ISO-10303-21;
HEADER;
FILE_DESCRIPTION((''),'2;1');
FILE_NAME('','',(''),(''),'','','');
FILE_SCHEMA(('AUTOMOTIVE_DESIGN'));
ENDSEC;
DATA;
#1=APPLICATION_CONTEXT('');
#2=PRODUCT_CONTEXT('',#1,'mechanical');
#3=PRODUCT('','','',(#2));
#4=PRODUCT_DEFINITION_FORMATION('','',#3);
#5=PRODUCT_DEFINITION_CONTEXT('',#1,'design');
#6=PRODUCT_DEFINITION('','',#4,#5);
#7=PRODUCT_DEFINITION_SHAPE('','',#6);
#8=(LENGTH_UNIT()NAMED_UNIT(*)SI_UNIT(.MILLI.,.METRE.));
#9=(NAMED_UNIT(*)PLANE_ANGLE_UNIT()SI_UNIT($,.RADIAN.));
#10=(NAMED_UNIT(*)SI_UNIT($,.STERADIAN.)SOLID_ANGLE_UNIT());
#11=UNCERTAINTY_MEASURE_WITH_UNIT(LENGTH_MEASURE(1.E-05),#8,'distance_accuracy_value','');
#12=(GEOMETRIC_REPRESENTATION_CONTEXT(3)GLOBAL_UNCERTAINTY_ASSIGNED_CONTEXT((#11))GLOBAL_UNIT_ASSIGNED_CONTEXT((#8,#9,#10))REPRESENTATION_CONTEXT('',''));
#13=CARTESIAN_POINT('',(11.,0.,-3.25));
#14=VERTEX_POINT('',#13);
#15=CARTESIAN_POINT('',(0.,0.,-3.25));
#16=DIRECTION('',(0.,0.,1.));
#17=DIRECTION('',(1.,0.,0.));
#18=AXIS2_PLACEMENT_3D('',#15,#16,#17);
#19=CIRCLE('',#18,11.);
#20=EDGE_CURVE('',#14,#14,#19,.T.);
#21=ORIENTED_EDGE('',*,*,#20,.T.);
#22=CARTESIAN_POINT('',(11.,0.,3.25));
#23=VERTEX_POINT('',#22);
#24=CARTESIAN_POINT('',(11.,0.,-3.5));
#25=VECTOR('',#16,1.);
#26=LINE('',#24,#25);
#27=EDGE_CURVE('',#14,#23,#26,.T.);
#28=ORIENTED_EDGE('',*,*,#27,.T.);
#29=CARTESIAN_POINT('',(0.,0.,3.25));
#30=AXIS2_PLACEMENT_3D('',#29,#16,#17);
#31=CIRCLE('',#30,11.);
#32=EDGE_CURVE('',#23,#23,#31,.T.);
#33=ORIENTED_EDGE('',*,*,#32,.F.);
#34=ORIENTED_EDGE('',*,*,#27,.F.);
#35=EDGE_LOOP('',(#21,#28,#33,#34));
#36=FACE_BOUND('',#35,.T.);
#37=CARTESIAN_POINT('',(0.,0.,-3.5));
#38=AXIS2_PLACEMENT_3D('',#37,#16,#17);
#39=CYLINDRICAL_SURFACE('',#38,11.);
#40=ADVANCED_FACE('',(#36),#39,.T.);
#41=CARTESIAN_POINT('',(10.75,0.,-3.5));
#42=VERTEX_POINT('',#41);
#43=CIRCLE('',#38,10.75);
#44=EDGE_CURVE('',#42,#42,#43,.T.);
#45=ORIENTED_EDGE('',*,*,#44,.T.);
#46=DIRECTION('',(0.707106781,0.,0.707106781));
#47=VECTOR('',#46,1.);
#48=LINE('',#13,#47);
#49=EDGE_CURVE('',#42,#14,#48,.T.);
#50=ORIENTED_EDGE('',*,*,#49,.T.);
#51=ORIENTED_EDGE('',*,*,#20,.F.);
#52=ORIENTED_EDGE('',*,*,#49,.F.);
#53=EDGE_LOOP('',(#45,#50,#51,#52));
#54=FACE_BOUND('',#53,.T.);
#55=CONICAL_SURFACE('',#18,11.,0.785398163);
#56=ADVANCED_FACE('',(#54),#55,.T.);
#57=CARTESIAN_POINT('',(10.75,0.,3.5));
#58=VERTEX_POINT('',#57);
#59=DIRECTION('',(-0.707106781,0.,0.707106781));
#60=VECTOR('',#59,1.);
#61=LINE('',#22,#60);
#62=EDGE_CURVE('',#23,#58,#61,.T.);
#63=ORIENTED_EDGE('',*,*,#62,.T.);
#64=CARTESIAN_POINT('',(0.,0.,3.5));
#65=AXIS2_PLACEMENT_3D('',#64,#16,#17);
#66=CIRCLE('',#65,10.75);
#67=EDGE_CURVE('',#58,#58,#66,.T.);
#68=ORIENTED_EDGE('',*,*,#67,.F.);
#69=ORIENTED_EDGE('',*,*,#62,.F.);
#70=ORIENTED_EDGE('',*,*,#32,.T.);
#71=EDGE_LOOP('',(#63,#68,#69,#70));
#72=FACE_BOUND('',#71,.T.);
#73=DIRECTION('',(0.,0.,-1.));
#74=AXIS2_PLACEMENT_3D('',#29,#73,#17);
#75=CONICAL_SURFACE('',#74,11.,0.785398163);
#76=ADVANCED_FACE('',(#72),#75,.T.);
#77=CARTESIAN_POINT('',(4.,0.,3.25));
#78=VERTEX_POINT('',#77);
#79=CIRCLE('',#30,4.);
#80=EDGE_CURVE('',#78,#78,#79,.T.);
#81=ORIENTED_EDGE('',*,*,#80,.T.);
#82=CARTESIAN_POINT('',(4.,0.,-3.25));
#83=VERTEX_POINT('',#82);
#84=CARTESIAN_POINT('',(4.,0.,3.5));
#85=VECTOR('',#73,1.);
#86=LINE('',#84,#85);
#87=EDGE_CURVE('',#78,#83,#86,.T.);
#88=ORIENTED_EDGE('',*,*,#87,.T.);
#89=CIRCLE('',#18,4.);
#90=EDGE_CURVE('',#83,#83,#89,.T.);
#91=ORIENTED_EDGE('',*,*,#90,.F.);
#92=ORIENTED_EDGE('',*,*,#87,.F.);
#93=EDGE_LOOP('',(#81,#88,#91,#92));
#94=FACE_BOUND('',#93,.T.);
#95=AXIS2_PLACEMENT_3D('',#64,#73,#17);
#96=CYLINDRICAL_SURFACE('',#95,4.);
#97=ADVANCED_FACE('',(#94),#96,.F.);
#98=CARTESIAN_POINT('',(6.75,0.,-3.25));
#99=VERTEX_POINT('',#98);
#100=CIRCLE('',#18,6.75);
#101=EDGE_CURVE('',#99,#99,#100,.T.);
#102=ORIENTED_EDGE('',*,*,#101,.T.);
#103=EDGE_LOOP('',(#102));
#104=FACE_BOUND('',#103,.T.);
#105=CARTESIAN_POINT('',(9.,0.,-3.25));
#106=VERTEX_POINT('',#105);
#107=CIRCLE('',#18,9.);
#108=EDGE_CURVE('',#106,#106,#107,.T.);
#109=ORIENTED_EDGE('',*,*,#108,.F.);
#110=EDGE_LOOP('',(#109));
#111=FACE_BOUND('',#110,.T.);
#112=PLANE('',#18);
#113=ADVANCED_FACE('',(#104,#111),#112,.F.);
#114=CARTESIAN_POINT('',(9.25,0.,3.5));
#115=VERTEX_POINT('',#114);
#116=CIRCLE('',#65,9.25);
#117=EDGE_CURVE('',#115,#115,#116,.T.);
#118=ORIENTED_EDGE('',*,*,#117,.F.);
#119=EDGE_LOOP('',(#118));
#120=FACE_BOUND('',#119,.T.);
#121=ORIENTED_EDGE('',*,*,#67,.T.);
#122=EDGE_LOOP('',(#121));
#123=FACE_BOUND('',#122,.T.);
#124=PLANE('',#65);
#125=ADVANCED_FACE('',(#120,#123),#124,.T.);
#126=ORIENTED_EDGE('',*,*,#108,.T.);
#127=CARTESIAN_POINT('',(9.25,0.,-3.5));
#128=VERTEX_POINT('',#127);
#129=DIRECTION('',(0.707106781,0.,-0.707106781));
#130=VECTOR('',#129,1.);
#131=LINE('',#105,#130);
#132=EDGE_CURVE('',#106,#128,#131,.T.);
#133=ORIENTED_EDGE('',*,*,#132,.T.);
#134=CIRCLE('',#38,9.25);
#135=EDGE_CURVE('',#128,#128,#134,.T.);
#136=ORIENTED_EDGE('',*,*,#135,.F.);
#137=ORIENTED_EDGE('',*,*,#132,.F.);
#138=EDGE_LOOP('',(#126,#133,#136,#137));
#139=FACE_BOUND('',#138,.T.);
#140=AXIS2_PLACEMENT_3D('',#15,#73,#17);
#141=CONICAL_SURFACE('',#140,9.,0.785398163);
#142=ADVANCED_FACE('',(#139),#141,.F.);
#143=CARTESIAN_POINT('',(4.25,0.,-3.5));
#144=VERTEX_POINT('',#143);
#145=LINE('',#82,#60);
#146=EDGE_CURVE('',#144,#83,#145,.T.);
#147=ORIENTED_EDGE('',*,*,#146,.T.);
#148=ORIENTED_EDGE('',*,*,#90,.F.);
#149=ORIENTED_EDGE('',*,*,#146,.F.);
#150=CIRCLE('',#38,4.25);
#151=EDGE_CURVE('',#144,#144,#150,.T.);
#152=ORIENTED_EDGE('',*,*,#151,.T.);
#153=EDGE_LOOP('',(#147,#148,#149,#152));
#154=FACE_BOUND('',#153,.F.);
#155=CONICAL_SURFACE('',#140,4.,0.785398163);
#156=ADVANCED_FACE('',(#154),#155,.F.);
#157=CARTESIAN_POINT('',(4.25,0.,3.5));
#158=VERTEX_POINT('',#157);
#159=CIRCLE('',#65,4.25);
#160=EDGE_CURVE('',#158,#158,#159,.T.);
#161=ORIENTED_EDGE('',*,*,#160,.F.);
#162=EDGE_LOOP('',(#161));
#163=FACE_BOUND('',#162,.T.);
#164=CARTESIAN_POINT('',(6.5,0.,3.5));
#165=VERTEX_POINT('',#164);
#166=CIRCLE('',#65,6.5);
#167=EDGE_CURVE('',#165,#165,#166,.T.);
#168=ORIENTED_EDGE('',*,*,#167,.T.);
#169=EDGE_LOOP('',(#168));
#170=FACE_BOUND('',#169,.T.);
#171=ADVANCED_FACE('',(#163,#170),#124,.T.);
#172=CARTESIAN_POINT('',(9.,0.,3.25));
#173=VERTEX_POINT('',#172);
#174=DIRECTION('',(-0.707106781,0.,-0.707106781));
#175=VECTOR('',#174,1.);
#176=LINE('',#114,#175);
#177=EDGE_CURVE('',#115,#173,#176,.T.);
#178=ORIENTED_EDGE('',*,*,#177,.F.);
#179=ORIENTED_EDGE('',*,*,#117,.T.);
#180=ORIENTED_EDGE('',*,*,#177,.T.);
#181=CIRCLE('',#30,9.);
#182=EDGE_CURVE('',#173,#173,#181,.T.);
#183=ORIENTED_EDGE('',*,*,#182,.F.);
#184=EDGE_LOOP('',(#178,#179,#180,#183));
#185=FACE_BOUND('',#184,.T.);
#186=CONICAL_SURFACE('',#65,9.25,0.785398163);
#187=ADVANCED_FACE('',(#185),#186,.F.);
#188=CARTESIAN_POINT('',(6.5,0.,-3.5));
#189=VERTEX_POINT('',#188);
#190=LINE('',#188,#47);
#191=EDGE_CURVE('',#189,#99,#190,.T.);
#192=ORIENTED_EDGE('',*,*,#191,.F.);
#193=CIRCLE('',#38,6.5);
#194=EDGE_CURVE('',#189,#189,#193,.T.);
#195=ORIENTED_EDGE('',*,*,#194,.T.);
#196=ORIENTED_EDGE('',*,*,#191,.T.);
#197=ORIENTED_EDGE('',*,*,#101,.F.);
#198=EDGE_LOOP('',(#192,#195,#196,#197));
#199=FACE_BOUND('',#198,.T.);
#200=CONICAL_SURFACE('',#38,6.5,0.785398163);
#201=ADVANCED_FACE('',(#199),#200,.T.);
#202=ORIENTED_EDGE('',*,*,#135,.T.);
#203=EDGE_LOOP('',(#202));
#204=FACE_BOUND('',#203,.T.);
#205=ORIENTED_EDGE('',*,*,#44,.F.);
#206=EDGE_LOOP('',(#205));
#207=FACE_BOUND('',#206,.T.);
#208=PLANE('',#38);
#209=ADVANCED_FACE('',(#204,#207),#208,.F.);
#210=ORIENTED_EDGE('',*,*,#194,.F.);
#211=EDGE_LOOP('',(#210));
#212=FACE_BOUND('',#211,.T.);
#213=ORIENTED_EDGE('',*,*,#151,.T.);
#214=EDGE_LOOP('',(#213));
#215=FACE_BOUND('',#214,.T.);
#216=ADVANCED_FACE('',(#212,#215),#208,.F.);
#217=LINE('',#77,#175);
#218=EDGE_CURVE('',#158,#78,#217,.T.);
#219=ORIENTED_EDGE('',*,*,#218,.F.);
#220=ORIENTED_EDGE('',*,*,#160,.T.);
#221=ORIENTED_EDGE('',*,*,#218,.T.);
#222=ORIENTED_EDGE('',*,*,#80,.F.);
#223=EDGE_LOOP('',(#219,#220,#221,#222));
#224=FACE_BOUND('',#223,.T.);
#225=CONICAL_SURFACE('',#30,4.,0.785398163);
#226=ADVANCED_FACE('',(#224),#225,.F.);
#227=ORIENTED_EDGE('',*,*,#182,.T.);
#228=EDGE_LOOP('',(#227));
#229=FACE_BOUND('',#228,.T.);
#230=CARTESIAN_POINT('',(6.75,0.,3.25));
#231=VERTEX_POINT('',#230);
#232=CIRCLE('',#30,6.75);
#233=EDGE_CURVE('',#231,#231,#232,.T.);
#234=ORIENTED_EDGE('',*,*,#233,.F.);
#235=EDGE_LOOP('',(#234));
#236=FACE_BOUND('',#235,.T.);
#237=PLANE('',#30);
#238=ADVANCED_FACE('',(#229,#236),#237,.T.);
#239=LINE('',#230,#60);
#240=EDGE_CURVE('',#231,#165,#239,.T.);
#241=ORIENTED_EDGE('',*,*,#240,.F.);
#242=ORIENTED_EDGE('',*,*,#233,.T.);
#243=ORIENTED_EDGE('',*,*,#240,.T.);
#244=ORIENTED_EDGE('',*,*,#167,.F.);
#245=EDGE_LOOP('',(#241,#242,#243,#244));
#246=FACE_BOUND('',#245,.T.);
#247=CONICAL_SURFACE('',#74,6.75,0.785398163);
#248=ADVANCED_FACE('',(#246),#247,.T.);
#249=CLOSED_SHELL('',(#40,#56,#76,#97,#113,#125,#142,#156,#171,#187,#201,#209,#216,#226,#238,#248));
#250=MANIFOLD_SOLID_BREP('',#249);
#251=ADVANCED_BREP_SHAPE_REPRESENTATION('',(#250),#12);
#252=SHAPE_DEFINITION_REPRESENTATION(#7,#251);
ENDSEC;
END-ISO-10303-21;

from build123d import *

# Parameters (mm, degrees)
CHAMFER_SIZE = 0.25


with BuildPart() as part:
    # Sketch → Revolution (revolve)
    with BuildSketch(Plane.XZ):
        Polygon((4, -3.5), (6.5, -3.5), (6.75, -3.25), (9, -3.25), (9.25, -3.5), (11, -3.5), (11, 3.5), (9.25, 3.5), (9, 3.25), (6.75, 3.25), (6.5, 3.5), (4, 3.5), align=None)
    revolve(axis=Axis((0, 0, 0), (0, 0, 1)))

    # Chamfer
    chamfer_edges = [part.edges().sort_by_distance(p)[0] for p in [
        (-11, 0, -3.5),
        (-4, 0, -3.5),
        (-11, 0, 3.5),
        (-4, 0, 3.5),
    ]]
    chamfer(chamfer_edges, length=CHAMFER_SIZE)


solid = part.part
